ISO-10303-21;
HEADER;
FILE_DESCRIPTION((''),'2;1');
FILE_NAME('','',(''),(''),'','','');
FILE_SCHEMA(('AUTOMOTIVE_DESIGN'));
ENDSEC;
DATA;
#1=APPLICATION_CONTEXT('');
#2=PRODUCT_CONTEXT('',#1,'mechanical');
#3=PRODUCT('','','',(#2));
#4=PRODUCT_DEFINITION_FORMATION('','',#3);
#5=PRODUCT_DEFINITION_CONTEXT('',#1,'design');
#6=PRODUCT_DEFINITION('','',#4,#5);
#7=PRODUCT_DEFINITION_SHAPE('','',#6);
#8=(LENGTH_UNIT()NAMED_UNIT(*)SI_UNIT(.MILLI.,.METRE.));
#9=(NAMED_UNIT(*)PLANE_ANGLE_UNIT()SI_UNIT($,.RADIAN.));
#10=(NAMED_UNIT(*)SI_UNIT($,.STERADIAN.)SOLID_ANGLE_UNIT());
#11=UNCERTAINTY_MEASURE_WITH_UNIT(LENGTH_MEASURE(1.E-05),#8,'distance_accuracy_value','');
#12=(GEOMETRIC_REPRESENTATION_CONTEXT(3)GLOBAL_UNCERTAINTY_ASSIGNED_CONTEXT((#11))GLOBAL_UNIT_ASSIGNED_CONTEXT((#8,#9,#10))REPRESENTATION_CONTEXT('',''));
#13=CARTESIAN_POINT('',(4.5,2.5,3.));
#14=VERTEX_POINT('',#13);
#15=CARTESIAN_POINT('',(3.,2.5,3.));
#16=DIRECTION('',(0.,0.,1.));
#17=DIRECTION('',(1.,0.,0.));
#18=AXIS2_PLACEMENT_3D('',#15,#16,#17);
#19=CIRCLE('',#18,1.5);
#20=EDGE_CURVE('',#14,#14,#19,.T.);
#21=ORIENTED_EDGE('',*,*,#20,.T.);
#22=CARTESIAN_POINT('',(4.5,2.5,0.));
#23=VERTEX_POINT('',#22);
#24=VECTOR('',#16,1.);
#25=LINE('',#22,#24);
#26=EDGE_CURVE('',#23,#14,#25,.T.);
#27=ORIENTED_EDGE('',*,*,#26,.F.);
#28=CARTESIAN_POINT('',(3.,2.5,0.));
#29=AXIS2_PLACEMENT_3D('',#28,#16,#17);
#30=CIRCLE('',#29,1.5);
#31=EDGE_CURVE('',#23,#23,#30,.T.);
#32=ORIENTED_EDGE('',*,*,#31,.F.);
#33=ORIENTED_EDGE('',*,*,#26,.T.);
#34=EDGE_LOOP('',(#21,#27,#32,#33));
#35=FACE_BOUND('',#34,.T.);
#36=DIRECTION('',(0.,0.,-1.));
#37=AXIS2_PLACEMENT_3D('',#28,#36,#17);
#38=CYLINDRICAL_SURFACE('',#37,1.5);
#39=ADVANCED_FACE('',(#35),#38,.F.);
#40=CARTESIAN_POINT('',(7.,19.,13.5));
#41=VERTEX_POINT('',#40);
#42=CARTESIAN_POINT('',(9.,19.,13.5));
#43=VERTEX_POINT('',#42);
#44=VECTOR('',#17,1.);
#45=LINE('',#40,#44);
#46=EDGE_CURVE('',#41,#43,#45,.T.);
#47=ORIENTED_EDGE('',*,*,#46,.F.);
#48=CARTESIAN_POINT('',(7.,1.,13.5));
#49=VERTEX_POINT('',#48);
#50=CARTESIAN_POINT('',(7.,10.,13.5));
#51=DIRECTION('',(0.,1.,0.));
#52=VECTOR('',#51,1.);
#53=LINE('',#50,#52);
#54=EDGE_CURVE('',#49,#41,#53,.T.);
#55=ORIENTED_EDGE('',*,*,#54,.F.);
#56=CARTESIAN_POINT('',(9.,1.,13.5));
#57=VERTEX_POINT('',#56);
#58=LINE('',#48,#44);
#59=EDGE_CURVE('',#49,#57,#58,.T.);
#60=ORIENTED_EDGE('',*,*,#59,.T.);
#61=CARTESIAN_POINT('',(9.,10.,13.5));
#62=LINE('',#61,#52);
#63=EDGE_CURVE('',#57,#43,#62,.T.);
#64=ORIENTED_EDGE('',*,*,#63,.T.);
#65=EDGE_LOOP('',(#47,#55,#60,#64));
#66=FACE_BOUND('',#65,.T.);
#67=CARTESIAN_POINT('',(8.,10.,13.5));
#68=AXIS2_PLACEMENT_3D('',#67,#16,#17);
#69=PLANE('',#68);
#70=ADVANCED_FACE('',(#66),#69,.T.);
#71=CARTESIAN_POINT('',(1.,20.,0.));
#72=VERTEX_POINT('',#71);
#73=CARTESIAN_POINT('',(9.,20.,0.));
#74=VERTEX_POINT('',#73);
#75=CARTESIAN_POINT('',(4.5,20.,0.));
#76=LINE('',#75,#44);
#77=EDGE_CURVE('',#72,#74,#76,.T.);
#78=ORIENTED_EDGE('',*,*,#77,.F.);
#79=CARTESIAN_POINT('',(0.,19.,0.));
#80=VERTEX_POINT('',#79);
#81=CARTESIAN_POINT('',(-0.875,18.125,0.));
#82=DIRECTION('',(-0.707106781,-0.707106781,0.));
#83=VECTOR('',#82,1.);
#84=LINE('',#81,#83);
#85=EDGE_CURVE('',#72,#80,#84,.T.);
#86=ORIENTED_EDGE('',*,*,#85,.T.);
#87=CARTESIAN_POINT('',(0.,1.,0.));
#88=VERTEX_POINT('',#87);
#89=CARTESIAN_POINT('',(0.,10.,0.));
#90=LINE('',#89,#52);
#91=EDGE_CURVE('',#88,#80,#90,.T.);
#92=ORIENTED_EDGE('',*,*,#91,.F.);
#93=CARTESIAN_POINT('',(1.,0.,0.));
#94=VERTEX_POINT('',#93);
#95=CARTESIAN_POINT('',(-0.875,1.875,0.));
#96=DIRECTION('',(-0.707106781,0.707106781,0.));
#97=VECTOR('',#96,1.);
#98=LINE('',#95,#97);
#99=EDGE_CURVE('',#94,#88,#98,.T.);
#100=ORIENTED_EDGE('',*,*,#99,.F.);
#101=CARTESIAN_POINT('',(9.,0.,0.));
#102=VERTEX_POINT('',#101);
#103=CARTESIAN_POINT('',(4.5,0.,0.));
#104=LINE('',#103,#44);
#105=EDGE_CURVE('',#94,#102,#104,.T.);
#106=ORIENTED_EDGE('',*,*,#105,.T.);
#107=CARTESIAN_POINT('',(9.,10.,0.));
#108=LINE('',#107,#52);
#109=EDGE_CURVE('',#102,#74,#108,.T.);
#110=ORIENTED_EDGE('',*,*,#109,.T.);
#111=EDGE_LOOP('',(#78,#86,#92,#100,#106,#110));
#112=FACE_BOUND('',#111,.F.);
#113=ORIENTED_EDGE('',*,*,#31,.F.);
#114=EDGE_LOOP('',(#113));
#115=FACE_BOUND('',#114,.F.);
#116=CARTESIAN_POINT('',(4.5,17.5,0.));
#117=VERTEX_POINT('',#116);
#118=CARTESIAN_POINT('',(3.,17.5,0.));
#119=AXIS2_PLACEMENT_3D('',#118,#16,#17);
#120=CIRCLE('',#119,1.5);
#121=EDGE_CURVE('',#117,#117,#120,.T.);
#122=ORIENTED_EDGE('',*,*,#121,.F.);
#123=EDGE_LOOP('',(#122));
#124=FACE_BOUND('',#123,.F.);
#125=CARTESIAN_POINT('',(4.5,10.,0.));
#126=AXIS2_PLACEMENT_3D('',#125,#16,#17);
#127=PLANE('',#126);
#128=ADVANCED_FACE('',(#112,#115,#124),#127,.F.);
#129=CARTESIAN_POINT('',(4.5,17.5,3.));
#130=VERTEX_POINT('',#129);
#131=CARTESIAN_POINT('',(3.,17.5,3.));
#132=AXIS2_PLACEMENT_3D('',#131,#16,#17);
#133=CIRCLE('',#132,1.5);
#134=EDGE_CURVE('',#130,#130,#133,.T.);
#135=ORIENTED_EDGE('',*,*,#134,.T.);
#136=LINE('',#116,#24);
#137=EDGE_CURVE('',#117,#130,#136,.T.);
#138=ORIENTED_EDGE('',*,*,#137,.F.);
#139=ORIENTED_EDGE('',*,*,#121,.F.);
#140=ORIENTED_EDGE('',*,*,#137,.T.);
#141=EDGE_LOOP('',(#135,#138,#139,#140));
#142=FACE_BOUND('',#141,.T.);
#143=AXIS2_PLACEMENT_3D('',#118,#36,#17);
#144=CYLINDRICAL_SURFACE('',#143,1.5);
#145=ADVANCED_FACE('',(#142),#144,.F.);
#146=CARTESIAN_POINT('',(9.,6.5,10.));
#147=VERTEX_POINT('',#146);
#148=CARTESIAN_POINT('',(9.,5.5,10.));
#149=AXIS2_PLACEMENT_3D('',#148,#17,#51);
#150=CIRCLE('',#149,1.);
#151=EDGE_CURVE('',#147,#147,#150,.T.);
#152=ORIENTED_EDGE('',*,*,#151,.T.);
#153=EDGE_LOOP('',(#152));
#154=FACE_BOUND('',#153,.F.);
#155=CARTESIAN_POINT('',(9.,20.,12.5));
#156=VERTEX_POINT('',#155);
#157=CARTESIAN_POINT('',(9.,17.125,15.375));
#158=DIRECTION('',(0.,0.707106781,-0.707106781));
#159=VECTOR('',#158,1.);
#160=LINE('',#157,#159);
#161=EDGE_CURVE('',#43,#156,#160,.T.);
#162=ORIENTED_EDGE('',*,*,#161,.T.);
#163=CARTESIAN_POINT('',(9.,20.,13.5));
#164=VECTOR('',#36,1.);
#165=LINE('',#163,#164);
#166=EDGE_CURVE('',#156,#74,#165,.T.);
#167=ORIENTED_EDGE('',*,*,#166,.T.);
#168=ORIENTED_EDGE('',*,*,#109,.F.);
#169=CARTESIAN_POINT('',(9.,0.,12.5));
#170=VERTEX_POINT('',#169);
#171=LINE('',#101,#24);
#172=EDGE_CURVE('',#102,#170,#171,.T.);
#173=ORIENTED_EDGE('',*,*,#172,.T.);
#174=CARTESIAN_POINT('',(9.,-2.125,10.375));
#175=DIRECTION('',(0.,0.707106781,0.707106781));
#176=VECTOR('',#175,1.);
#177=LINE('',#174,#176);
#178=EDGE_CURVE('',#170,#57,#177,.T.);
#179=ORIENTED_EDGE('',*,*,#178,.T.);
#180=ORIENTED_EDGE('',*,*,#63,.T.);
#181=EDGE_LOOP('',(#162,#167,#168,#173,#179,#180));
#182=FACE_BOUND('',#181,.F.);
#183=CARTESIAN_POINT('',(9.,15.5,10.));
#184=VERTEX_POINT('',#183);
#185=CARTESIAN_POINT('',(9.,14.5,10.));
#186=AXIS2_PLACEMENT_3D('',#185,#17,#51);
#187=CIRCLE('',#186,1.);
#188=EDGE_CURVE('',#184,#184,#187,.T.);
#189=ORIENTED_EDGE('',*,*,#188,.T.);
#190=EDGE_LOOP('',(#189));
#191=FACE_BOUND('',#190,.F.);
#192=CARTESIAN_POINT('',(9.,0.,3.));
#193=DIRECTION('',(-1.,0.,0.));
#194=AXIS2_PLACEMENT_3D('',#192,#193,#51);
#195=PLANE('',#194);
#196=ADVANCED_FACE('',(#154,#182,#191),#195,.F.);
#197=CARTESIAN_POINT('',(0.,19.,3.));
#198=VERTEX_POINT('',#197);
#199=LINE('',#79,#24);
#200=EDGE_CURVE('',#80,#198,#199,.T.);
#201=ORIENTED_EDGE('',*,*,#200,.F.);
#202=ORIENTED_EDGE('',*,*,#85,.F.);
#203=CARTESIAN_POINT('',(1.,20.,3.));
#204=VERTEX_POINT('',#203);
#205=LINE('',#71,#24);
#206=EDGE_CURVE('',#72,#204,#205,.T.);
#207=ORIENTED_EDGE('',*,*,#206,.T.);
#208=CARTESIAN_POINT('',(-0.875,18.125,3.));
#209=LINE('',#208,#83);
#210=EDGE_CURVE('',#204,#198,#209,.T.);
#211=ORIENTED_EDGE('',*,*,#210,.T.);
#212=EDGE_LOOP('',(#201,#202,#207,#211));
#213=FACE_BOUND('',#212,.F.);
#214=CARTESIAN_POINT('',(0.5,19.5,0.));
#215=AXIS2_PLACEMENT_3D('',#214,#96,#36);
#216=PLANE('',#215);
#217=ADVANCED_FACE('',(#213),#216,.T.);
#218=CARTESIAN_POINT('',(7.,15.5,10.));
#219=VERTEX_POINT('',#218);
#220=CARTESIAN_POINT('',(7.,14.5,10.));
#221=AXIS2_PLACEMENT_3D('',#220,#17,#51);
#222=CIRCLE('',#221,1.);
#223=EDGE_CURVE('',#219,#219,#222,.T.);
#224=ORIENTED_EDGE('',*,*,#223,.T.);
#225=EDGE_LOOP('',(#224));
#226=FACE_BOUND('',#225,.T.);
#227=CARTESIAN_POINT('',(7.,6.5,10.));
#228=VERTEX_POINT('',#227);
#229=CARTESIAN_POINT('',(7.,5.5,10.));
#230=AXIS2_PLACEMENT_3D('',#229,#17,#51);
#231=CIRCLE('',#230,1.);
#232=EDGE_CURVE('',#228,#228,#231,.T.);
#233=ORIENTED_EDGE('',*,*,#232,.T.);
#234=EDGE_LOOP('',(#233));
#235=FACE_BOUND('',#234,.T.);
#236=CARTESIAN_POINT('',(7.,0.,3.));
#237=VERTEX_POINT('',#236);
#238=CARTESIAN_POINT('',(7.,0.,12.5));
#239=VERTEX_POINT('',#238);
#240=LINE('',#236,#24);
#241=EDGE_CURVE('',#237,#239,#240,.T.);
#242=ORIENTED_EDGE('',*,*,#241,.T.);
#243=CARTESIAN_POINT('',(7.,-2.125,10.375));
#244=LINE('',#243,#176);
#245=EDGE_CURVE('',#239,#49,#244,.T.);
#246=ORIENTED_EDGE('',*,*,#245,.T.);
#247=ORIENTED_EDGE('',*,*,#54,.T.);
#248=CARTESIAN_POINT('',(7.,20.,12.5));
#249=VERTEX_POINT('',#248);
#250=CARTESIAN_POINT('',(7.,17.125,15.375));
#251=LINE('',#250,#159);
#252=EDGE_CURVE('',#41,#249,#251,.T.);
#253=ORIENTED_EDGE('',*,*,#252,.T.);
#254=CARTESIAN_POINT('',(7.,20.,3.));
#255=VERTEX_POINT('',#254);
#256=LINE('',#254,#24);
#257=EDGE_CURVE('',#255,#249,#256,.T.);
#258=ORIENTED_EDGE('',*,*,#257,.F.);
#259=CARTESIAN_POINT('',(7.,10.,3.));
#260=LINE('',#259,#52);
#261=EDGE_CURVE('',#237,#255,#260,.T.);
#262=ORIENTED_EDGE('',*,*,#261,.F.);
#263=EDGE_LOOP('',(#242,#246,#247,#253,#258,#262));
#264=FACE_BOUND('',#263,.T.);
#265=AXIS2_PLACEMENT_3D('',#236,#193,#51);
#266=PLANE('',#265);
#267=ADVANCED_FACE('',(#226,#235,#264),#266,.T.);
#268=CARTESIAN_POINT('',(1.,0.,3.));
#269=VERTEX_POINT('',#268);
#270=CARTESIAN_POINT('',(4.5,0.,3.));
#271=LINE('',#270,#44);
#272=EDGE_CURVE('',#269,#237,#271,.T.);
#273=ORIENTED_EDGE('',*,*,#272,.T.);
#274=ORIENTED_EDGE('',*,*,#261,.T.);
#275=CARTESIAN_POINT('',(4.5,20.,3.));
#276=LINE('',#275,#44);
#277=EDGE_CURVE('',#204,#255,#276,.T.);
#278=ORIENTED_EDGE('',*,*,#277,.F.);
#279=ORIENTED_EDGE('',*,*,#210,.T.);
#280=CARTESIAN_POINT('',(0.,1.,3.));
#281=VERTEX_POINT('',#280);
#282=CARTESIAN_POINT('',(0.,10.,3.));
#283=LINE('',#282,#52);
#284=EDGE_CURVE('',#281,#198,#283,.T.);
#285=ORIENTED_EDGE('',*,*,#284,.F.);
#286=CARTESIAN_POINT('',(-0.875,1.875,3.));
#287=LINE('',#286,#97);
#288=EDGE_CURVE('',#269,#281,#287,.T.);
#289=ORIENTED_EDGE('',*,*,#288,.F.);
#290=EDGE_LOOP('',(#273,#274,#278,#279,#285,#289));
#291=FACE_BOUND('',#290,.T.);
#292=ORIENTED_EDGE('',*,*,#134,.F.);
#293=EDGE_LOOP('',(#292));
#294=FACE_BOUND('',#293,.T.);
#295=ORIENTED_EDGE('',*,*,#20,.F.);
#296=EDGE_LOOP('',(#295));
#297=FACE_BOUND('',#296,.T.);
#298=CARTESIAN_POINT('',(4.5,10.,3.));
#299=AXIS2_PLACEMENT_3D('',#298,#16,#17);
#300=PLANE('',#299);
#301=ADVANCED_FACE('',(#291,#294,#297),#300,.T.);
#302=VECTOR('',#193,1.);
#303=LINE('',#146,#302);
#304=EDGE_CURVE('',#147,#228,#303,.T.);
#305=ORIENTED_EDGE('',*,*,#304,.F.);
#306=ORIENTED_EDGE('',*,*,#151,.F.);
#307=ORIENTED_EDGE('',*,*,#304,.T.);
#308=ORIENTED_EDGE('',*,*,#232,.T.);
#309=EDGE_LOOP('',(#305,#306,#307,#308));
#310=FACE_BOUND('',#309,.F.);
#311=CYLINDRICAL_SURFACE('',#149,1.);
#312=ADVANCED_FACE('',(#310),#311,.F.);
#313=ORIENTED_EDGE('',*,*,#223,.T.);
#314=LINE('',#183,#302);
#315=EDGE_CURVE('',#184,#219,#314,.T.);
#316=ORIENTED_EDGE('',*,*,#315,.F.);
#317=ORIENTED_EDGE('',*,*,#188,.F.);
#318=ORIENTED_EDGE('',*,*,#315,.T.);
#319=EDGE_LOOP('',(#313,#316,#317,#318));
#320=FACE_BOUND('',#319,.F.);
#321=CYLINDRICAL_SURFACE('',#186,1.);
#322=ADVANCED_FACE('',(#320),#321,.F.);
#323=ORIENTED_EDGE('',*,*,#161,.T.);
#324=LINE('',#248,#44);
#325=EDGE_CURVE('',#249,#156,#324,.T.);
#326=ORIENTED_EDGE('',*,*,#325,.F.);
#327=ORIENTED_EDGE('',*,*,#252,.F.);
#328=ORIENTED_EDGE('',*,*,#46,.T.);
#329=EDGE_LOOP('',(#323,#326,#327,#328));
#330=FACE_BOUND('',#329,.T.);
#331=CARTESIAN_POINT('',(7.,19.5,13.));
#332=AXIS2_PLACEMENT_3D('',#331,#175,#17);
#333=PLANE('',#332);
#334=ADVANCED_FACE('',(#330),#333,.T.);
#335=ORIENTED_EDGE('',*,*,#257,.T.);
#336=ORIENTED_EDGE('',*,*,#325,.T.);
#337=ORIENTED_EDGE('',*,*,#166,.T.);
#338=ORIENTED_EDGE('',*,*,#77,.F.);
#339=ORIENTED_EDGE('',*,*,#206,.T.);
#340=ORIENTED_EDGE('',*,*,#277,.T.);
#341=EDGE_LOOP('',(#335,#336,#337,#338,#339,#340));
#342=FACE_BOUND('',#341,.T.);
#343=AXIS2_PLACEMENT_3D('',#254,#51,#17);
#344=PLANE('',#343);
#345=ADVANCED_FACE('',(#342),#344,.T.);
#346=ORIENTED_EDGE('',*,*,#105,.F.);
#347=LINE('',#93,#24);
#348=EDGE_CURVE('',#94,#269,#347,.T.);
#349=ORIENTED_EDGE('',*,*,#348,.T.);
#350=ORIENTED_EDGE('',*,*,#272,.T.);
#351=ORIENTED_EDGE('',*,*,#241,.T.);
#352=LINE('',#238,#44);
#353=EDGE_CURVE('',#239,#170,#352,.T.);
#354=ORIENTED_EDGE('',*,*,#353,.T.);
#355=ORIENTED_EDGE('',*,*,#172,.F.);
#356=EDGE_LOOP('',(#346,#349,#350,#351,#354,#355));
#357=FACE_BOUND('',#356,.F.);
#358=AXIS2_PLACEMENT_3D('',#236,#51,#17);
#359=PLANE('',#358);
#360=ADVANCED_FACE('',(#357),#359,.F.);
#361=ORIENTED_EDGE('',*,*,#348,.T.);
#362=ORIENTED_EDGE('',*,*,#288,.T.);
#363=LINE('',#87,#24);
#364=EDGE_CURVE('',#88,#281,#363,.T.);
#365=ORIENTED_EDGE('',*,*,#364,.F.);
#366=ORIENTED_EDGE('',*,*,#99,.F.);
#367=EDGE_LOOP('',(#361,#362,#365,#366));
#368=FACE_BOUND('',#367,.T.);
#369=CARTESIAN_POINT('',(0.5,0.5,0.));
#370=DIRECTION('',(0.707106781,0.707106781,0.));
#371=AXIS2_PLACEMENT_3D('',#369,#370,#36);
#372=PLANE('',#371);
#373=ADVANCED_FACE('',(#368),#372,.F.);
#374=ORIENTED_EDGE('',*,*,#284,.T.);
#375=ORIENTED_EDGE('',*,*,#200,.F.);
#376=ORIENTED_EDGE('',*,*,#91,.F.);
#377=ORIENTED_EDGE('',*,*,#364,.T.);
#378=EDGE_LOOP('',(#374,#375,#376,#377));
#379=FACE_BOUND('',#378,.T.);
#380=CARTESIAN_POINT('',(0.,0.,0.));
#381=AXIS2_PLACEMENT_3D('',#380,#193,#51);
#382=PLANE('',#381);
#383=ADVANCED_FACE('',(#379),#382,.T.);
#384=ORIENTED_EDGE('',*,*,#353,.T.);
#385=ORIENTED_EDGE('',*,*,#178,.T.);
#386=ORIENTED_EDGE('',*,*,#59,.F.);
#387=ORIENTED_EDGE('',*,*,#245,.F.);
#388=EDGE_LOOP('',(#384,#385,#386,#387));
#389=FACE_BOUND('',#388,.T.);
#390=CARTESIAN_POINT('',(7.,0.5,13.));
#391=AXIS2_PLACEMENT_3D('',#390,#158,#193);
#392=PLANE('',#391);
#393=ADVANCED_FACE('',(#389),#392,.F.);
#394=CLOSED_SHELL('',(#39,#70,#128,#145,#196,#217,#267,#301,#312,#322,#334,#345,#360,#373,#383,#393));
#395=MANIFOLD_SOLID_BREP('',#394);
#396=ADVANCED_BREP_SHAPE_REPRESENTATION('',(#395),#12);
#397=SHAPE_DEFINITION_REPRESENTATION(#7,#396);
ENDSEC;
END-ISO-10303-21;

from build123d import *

# Parameters (mm, degrees)
SKETCH_W     = 9
SKETCH_H     = 20
SKETCH_R     = 1.5
PAD_DEPTH    = 3
SKETCH001_W  = 2
SKETCH001_H  = 20
PAD001_DEPTH = 10.5
SKETCH002_R  = 1
POCKET_DEPTH = 5
CHAMFER_SIZE = 1


with BuildPart() as part:
    # Sketch → Pad (new body)
    with BuildSketch(Plane.XY):
        with Locations((4.5, 10)):
            Rectangle(SKETCH_W, SKETCH_H)
        with Locations((3, 17.5)):
            Circle(SKETCH_R, mode=Mode.SUBTRACT)
        with Locations((3, 2.5)):
            Circle(SKETCH_R, mode=Mode.SUBTRACT)
    extrude(amount=PAD_DEPTH)

    # Sketch001 (on Face8 of Pad) → Pad001 (join)
    with BuildSketch(Plane.XY.offset(3)):
        with Locations((8, 10)):
            Rectangle(SKETCH001_W, SKETCH001_H)
    extrude(amount=PAD001_DEPTH)

    # Sketch002 (on Face8 of Pad001) → Pocket (cut)
    with BuildSketch(Plane.YZ.offset(9)):
        with Locations((5.5, 10)):
            Circle(SKETCH002_R)
        with Locations((14.5, 10)):
            Circle(SKETCH002_R)
    extrude(amount=-POCKET_DEPTH, mode=Mode.SUBTRACT)

    # Chamfer
    chamfer_edges = [part.edges().sort_by_distance(p)[0] for p in [
        (8, 0, 13.5),
        (8, 20, 13.5),
        (0, 0, 1.5),
        (0, 20, 1.5),
    ]]
    chamfer(chamfer_edges, length=CHAMFER_SIZE)


solid = part.part
